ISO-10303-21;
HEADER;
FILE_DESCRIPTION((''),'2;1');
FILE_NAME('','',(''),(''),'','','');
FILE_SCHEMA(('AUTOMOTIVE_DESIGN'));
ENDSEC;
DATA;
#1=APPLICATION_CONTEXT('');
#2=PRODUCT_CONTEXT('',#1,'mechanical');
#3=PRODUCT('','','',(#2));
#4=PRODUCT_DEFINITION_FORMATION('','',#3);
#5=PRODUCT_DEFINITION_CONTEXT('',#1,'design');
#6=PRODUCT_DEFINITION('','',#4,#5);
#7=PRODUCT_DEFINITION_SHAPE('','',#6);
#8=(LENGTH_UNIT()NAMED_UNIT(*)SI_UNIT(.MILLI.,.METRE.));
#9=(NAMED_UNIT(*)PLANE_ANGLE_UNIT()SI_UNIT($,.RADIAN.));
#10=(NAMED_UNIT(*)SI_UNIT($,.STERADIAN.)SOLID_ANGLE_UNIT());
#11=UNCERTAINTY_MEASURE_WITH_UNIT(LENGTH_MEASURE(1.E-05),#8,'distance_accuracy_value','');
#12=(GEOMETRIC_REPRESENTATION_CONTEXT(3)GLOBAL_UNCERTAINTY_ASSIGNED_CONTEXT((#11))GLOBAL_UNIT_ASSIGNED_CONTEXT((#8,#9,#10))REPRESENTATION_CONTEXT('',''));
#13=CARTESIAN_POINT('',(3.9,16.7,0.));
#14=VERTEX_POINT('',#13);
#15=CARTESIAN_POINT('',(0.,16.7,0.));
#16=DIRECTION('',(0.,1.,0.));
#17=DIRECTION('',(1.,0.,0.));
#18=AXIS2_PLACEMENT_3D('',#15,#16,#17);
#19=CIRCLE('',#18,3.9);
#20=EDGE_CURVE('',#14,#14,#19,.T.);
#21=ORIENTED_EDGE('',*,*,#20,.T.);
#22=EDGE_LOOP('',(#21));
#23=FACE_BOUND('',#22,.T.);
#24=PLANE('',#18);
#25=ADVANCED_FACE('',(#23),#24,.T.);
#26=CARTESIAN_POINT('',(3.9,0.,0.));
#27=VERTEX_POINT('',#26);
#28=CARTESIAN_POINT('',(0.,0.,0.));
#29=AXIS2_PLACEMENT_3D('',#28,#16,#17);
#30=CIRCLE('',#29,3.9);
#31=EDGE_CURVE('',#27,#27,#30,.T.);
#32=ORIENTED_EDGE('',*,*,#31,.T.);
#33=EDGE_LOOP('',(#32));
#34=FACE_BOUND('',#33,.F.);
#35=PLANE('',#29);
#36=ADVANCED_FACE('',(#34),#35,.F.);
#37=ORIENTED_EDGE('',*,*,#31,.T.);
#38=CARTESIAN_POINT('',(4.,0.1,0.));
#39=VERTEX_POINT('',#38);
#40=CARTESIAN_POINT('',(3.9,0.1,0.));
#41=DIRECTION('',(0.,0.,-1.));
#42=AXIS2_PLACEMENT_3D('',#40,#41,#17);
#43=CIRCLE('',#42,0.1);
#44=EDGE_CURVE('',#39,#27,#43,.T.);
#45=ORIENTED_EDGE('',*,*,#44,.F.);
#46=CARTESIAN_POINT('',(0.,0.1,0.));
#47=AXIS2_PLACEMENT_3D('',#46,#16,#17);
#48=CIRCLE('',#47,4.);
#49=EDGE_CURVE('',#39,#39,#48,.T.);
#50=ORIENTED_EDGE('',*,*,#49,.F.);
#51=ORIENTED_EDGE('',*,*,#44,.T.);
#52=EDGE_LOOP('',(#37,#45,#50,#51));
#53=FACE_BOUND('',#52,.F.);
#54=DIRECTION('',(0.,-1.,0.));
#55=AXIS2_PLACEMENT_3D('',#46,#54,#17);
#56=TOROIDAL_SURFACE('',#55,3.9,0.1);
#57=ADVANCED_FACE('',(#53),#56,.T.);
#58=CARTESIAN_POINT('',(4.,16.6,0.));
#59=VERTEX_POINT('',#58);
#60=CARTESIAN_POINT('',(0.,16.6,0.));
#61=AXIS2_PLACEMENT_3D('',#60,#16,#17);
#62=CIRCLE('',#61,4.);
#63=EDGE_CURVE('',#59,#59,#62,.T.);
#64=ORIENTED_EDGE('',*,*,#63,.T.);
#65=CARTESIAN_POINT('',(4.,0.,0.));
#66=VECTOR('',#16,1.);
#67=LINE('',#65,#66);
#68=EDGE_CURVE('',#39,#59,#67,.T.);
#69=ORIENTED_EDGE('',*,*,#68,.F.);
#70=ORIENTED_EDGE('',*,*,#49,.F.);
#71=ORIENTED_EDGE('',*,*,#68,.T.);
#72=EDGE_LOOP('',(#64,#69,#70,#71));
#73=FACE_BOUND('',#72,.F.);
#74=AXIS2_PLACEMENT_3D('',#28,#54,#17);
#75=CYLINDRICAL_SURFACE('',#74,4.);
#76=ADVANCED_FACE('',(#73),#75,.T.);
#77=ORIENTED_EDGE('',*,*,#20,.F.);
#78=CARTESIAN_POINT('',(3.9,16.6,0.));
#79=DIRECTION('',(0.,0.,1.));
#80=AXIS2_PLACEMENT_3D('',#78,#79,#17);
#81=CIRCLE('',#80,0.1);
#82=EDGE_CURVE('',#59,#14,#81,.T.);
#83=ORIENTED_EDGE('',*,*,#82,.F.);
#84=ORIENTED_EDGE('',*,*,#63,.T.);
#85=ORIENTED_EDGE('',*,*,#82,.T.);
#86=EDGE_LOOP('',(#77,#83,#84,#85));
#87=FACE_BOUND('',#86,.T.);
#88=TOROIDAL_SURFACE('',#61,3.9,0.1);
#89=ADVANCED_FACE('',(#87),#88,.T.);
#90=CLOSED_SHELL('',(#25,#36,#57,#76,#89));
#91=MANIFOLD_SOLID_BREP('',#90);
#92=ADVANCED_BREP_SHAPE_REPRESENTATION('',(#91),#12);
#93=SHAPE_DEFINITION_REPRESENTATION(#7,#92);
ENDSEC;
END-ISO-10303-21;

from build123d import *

# Parameters (mm, degrees)
SKETCH_1_R      = 4
EXTRUDE_1_DEPTH = 16.7
FILLET_1_R      = 0.1
FILLET_2_R      = 0.1


with BuildPart() as part:
    # Эскиз1 → Бобышка-Вытянуть1 (new body)
    with BuildSketch(Plane(origin=(0, 0, 0), x_dir=(1, 0, 0), z_dir=(0, 1, 0))):
        Circle(SKETCH_1_R)
    extrude(amount=EXTRUDE_1_DEPTH)

    # Скругление1
    fillet_1_edges = [part.edges().sort_by_distance(p)[0] for p in [
        (-4, 16.7, 0),
    ]]
    fillet(fillet_1_edges, radius=FILLET_1_R)

    # Скругление2
    fillet_2_edges = [part.edges().sort_by_distance(p)[0] for p in [
        (-4, 0, 0),
    ]]
    fillet(fillet_2_edges, radius=FILLET_2_R)


solid = part.part
